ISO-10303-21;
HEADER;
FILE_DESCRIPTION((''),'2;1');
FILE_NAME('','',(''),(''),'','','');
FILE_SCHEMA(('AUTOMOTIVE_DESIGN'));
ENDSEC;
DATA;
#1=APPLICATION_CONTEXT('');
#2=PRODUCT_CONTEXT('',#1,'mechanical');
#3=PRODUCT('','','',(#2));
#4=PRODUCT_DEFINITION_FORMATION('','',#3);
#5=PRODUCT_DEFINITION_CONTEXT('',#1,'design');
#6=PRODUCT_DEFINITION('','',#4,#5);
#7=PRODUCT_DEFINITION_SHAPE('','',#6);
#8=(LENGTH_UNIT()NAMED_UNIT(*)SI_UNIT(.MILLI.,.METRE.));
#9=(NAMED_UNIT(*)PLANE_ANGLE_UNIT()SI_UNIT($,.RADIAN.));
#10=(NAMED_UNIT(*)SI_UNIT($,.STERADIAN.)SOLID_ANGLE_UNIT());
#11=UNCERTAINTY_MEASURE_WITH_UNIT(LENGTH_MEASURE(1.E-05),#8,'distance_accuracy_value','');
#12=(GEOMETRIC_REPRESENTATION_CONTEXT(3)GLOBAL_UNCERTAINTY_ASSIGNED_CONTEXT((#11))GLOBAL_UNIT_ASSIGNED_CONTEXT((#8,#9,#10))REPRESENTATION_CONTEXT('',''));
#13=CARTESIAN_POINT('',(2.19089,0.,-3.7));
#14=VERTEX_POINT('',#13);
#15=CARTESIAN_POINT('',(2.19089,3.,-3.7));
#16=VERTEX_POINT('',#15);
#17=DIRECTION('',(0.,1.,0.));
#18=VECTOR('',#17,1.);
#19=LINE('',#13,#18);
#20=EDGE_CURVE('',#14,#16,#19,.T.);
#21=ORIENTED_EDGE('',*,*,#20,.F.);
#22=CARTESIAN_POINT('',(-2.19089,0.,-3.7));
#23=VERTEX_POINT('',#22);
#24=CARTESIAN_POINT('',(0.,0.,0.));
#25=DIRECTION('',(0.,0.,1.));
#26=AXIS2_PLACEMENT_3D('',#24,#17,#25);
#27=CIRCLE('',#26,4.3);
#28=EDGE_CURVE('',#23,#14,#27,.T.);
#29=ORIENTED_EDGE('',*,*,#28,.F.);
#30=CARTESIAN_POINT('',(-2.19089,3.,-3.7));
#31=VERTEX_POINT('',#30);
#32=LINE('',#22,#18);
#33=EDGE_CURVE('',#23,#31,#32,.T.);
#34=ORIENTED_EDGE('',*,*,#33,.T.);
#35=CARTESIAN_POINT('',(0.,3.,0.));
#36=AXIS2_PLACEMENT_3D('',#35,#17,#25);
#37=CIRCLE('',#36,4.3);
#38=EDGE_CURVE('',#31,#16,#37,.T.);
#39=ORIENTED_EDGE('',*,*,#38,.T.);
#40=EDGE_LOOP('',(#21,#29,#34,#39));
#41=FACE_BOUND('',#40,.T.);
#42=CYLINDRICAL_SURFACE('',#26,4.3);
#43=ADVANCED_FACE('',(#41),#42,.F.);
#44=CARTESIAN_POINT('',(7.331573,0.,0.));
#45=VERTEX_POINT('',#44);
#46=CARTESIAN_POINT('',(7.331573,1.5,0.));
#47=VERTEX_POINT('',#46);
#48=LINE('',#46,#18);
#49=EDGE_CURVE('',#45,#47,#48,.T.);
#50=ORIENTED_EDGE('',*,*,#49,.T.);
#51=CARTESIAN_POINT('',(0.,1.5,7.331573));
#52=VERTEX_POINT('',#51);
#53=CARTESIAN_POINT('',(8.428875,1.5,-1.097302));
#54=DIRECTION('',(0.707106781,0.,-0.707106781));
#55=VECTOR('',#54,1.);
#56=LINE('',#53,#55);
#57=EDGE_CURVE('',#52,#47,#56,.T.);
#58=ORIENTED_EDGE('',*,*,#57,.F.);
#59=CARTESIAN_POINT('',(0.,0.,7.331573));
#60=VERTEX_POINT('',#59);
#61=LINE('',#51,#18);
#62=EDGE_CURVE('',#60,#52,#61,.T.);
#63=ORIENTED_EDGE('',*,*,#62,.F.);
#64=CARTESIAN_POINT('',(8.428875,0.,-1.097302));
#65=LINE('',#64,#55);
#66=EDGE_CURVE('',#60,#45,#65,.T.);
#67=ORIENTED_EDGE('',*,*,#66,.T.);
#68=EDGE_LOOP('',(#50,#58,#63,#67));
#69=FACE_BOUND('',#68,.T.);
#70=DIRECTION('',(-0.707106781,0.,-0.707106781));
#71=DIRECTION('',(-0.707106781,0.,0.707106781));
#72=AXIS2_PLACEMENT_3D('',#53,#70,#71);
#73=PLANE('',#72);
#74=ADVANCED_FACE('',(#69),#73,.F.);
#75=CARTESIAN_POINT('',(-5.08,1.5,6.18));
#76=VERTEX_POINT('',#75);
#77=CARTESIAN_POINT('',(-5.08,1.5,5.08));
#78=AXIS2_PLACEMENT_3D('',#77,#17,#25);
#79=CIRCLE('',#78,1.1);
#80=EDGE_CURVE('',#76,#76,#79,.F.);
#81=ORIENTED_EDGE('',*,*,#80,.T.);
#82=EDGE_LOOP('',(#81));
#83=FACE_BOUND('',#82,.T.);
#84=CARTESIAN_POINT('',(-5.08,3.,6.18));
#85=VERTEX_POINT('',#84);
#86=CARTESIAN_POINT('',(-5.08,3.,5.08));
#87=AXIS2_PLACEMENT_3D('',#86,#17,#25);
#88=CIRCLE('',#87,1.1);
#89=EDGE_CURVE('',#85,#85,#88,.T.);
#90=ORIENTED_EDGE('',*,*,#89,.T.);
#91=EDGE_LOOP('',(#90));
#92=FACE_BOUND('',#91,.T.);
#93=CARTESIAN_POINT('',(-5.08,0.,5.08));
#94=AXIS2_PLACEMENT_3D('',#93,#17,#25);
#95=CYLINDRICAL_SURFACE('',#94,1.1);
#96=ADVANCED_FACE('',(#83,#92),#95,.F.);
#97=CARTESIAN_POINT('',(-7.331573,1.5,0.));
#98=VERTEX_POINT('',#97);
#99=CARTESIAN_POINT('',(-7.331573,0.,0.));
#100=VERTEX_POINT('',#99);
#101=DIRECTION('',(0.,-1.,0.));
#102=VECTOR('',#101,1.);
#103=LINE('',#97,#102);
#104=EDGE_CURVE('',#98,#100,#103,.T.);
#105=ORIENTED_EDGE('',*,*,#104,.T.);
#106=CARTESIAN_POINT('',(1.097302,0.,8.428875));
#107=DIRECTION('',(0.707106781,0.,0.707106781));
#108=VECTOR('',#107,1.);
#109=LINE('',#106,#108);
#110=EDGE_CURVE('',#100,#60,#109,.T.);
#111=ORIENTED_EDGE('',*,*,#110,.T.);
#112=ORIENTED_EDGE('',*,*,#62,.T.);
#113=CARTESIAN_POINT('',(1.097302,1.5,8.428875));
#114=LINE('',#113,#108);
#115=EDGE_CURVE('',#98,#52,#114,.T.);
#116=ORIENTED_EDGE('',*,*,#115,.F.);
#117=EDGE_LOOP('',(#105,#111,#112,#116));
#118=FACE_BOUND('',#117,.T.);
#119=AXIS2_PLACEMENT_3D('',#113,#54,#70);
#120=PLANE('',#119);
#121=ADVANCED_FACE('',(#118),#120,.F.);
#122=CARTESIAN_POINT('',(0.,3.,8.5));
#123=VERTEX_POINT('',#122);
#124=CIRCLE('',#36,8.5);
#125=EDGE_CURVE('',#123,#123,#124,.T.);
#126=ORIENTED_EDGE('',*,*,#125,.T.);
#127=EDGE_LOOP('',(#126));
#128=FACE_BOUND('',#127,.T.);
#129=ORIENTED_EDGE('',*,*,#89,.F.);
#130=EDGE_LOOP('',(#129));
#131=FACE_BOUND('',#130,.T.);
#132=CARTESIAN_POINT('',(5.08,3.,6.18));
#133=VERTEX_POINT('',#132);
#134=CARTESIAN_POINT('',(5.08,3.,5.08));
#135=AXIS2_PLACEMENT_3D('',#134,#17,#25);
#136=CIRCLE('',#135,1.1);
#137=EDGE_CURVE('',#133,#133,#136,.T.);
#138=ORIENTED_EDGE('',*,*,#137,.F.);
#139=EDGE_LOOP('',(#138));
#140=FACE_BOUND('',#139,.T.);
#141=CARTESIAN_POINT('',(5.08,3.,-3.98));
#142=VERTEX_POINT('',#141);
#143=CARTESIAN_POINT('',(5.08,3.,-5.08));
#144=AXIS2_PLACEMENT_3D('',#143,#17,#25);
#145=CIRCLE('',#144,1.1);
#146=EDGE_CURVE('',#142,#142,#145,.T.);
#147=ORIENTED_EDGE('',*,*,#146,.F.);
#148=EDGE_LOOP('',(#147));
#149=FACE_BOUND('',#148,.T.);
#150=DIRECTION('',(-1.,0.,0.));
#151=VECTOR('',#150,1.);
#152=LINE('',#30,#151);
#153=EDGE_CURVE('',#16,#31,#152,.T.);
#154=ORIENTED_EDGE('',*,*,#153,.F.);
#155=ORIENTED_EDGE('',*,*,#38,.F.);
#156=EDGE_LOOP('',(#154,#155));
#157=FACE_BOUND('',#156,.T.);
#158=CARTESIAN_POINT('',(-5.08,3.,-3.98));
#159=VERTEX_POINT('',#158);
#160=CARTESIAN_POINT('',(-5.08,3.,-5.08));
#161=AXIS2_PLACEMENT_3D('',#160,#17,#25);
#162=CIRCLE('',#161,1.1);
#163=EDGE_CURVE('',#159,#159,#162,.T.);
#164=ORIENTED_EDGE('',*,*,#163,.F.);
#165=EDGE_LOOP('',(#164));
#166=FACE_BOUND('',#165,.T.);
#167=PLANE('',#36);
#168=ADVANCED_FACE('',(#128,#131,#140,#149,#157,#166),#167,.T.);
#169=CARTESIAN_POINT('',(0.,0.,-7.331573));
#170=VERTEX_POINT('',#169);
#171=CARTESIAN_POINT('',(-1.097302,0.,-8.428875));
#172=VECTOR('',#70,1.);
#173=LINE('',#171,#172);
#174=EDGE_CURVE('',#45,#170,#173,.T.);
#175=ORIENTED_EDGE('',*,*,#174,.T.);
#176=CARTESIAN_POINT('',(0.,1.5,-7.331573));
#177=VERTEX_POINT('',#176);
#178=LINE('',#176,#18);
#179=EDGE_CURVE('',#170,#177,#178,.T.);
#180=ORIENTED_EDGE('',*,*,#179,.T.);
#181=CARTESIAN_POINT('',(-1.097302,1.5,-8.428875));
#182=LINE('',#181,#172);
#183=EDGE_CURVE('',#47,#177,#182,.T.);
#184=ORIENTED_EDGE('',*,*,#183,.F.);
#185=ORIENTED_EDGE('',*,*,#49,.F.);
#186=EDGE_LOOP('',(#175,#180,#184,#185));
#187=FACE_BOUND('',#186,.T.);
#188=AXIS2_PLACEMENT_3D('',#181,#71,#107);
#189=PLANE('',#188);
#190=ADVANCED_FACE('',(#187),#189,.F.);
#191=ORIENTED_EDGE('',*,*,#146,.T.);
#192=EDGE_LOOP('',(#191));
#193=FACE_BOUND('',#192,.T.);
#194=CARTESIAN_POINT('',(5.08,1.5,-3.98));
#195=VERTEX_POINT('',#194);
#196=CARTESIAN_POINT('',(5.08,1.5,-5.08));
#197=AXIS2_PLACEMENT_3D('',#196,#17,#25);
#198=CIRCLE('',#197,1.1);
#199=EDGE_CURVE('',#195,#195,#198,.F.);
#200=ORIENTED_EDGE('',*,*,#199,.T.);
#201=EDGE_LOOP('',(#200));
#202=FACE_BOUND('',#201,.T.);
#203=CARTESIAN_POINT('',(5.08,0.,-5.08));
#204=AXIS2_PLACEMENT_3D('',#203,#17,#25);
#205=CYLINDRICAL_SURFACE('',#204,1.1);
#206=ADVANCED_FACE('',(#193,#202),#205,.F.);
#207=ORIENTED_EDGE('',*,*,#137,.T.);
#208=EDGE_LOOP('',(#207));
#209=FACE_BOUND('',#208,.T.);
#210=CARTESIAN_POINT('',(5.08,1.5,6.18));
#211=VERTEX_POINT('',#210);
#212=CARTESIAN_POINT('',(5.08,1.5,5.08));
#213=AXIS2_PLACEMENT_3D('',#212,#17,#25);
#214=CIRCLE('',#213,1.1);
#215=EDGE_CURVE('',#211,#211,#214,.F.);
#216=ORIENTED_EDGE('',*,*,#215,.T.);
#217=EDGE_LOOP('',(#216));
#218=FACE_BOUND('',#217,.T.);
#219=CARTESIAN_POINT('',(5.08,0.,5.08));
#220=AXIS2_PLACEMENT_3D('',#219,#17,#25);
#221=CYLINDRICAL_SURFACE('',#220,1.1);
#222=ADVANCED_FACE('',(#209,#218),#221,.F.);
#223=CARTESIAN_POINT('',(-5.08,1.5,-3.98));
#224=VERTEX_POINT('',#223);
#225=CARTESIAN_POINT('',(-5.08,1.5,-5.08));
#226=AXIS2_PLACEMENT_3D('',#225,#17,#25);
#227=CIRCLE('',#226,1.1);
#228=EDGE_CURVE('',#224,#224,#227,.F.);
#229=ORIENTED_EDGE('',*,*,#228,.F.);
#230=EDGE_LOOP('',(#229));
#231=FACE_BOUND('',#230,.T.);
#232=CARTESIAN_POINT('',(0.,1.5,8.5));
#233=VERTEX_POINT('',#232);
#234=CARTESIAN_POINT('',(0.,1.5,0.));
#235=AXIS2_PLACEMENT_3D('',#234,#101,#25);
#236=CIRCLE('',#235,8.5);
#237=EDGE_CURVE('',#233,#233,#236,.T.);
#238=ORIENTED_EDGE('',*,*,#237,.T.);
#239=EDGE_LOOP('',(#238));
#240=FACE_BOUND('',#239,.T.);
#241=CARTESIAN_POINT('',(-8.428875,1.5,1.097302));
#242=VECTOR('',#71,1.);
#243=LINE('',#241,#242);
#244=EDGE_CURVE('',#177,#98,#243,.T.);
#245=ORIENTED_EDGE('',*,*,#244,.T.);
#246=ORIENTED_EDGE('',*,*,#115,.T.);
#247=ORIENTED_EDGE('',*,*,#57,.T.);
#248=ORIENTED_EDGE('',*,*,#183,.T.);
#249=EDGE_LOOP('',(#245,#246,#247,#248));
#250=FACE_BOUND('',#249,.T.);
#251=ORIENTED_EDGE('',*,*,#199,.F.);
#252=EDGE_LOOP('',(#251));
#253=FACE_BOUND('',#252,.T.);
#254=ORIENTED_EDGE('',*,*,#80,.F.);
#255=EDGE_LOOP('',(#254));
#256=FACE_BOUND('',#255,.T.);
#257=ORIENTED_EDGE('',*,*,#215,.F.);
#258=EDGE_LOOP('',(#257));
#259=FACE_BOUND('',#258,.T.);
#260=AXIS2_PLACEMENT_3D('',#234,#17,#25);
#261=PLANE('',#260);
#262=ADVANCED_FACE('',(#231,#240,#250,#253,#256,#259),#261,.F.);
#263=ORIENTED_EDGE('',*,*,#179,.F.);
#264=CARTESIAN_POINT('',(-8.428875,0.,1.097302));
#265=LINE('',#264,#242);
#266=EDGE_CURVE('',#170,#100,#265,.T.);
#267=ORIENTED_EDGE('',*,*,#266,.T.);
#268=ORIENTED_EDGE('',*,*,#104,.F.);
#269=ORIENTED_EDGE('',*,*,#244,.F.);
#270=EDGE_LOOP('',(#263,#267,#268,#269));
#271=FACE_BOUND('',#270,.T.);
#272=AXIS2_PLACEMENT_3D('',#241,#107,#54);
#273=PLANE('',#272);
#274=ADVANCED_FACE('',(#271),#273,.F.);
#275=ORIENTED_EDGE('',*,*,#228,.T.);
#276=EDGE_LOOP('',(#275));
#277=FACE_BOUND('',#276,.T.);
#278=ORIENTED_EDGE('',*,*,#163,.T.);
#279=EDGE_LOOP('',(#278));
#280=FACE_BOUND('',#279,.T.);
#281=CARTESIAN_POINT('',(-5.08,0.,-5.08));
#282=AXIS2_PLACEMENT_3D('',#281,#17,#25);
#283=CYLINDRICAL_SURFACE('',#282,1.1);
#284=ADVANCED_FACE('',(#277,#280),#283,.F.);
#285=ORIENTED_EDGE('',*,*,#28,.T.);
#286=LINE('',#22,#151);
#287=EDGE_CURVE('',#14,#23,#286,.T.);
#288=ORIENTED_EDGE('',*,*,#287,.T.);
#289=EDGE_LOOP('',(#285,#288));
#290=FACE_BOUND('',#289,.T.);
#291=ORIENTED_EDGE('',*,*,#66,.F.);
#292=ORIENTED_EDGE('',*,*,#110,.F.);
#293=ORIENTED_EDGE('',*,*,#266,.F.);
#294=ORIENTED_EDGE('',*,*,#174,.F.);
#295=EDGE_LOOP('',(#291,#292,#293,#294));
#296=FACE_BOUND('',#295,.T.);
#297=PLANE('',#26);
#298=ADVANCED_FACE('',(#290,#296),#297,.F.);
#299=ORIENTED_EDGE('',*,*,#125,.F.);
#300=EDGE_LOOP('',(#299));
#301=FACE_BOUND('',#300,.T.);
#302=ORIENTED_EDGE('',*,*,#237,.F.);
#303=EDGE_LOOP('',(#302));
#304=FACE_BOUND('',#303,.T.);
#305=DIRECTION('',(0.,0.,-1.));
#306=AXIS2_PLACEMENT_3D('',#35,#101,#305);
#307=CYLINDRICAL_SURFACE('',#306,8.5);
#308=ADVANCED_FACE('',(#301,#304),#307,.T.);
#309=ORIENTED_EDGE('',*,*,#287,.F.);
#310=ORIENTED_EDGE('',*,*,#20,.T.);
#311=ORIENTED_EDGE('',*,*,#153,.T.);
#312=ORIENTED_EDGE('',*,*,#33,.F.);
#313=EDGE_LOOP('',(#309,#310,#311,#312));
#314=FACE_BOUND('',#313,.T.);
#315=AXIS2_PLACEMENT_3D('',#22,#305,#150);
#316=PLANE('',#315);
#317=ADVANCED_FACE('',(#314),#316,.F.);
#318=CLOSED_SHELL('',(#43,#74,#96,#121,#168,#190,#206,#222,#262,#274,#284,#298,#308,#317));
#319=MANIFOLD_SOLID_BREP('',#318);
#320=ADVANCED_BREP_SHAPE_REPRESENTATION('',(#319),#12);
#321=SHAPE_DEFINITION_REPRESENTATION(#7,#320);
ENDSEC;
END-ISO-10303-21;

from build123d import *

# Parameters (mm, degrees)
SKETCH_1_R               = 8.5
EXTRUDE_1_DEPTH          = 3
CUT_EXTRUDE_1_DEPTH      = 3
SKETCH_3_R               = 1.1
CUT_EXTRUDE_2_DEPTH      = 3
CUT_EXTRUDE_3_DEPTH      = 1.5
PATTERN_CIRCULAR_1_COUNT = 4


with BuildPart() as part:
    # 스케치1 → 보스-돌출1 (new body)
    with BuildSketch(Plane(origin=(0, 0, 0), x_dir=(1, 0, 0), z_dir=(0, 1, 0))):
        Circle(SKETCH_1_R)
    extrude(amount=EXTRUDE_1_DEPTH)

    # 스케치2 → 컷-돌출1 (cut)
    with BuildSketch(Plane(origin=(0, 3, 0), x_dir=(1, 0, 0), z_dir=(0, 1, 0))):
        with BuildLine():
            Line((-2.19089023, 3.7), (2.19089023, 3.7))
            ThreePointArc((2.19089023, 3.7), (0, -4.3), (-2.19089023, 3.7))
        make_face()
    extrude(amount=-CUT_EXTRUDE_1_DEPTH, mode=Mode.SUBTRACT)

    # 스케치3 → 컷-돌출2 (cut)
    with BuildSketch(Plane(origin=(0, 3, 0), x_dir=(1, 0, 0), z_dir=(0, 1, 0))):
        with Locations((5.08, 5.08)):
            Circle(SKETCH_3_R)
        with Locations((-5.08, -5.08)):
            Circle(SKETCH_3_R)
        with Locations((5.08, -5.08)):
            Circle(SKETCH_3_R)
        with Locations((-5.08, 5.08)):
            Circle(SKETCH_3_R)
    extrude(amount=-CUT_EXTRUDE_2_DEPTH, mode=Mode.SUBTRACT)

    # 스케치4 → 컷-돌출3 (cut)
    with BuildSketch(Plane.XZ):
        with BuildLine():
            Line((1.097301825, 8.4288747), (-8.4288747, -1.097301825))
            ThreePointArc((-8.4288747, -1.097301825), (-6.01040764, 6.01040764), (1.097301825, 8.4288747))
        make_face()
    cut_extrude_3 = extrude(amount=-CUT_EXTRUDE_3_DEPTH, mode=Mode.SUBTRACT)

    # 원형 패턴1: 컷-돌출3 ×4 about axis
    pattern_circular_1_axis = Axis((0, 0, 0), (0, 1, 0))
    for i in range(1, PATTERN_CIRCULAR_1_COUNT):
        add(cut_extrude_3.rotate(pattern_circular_1_axis, i * 360 / PATTERN_CIRCULAR_1_COUNT), mode=Mode.SUBTRACT)


solid = part.part
